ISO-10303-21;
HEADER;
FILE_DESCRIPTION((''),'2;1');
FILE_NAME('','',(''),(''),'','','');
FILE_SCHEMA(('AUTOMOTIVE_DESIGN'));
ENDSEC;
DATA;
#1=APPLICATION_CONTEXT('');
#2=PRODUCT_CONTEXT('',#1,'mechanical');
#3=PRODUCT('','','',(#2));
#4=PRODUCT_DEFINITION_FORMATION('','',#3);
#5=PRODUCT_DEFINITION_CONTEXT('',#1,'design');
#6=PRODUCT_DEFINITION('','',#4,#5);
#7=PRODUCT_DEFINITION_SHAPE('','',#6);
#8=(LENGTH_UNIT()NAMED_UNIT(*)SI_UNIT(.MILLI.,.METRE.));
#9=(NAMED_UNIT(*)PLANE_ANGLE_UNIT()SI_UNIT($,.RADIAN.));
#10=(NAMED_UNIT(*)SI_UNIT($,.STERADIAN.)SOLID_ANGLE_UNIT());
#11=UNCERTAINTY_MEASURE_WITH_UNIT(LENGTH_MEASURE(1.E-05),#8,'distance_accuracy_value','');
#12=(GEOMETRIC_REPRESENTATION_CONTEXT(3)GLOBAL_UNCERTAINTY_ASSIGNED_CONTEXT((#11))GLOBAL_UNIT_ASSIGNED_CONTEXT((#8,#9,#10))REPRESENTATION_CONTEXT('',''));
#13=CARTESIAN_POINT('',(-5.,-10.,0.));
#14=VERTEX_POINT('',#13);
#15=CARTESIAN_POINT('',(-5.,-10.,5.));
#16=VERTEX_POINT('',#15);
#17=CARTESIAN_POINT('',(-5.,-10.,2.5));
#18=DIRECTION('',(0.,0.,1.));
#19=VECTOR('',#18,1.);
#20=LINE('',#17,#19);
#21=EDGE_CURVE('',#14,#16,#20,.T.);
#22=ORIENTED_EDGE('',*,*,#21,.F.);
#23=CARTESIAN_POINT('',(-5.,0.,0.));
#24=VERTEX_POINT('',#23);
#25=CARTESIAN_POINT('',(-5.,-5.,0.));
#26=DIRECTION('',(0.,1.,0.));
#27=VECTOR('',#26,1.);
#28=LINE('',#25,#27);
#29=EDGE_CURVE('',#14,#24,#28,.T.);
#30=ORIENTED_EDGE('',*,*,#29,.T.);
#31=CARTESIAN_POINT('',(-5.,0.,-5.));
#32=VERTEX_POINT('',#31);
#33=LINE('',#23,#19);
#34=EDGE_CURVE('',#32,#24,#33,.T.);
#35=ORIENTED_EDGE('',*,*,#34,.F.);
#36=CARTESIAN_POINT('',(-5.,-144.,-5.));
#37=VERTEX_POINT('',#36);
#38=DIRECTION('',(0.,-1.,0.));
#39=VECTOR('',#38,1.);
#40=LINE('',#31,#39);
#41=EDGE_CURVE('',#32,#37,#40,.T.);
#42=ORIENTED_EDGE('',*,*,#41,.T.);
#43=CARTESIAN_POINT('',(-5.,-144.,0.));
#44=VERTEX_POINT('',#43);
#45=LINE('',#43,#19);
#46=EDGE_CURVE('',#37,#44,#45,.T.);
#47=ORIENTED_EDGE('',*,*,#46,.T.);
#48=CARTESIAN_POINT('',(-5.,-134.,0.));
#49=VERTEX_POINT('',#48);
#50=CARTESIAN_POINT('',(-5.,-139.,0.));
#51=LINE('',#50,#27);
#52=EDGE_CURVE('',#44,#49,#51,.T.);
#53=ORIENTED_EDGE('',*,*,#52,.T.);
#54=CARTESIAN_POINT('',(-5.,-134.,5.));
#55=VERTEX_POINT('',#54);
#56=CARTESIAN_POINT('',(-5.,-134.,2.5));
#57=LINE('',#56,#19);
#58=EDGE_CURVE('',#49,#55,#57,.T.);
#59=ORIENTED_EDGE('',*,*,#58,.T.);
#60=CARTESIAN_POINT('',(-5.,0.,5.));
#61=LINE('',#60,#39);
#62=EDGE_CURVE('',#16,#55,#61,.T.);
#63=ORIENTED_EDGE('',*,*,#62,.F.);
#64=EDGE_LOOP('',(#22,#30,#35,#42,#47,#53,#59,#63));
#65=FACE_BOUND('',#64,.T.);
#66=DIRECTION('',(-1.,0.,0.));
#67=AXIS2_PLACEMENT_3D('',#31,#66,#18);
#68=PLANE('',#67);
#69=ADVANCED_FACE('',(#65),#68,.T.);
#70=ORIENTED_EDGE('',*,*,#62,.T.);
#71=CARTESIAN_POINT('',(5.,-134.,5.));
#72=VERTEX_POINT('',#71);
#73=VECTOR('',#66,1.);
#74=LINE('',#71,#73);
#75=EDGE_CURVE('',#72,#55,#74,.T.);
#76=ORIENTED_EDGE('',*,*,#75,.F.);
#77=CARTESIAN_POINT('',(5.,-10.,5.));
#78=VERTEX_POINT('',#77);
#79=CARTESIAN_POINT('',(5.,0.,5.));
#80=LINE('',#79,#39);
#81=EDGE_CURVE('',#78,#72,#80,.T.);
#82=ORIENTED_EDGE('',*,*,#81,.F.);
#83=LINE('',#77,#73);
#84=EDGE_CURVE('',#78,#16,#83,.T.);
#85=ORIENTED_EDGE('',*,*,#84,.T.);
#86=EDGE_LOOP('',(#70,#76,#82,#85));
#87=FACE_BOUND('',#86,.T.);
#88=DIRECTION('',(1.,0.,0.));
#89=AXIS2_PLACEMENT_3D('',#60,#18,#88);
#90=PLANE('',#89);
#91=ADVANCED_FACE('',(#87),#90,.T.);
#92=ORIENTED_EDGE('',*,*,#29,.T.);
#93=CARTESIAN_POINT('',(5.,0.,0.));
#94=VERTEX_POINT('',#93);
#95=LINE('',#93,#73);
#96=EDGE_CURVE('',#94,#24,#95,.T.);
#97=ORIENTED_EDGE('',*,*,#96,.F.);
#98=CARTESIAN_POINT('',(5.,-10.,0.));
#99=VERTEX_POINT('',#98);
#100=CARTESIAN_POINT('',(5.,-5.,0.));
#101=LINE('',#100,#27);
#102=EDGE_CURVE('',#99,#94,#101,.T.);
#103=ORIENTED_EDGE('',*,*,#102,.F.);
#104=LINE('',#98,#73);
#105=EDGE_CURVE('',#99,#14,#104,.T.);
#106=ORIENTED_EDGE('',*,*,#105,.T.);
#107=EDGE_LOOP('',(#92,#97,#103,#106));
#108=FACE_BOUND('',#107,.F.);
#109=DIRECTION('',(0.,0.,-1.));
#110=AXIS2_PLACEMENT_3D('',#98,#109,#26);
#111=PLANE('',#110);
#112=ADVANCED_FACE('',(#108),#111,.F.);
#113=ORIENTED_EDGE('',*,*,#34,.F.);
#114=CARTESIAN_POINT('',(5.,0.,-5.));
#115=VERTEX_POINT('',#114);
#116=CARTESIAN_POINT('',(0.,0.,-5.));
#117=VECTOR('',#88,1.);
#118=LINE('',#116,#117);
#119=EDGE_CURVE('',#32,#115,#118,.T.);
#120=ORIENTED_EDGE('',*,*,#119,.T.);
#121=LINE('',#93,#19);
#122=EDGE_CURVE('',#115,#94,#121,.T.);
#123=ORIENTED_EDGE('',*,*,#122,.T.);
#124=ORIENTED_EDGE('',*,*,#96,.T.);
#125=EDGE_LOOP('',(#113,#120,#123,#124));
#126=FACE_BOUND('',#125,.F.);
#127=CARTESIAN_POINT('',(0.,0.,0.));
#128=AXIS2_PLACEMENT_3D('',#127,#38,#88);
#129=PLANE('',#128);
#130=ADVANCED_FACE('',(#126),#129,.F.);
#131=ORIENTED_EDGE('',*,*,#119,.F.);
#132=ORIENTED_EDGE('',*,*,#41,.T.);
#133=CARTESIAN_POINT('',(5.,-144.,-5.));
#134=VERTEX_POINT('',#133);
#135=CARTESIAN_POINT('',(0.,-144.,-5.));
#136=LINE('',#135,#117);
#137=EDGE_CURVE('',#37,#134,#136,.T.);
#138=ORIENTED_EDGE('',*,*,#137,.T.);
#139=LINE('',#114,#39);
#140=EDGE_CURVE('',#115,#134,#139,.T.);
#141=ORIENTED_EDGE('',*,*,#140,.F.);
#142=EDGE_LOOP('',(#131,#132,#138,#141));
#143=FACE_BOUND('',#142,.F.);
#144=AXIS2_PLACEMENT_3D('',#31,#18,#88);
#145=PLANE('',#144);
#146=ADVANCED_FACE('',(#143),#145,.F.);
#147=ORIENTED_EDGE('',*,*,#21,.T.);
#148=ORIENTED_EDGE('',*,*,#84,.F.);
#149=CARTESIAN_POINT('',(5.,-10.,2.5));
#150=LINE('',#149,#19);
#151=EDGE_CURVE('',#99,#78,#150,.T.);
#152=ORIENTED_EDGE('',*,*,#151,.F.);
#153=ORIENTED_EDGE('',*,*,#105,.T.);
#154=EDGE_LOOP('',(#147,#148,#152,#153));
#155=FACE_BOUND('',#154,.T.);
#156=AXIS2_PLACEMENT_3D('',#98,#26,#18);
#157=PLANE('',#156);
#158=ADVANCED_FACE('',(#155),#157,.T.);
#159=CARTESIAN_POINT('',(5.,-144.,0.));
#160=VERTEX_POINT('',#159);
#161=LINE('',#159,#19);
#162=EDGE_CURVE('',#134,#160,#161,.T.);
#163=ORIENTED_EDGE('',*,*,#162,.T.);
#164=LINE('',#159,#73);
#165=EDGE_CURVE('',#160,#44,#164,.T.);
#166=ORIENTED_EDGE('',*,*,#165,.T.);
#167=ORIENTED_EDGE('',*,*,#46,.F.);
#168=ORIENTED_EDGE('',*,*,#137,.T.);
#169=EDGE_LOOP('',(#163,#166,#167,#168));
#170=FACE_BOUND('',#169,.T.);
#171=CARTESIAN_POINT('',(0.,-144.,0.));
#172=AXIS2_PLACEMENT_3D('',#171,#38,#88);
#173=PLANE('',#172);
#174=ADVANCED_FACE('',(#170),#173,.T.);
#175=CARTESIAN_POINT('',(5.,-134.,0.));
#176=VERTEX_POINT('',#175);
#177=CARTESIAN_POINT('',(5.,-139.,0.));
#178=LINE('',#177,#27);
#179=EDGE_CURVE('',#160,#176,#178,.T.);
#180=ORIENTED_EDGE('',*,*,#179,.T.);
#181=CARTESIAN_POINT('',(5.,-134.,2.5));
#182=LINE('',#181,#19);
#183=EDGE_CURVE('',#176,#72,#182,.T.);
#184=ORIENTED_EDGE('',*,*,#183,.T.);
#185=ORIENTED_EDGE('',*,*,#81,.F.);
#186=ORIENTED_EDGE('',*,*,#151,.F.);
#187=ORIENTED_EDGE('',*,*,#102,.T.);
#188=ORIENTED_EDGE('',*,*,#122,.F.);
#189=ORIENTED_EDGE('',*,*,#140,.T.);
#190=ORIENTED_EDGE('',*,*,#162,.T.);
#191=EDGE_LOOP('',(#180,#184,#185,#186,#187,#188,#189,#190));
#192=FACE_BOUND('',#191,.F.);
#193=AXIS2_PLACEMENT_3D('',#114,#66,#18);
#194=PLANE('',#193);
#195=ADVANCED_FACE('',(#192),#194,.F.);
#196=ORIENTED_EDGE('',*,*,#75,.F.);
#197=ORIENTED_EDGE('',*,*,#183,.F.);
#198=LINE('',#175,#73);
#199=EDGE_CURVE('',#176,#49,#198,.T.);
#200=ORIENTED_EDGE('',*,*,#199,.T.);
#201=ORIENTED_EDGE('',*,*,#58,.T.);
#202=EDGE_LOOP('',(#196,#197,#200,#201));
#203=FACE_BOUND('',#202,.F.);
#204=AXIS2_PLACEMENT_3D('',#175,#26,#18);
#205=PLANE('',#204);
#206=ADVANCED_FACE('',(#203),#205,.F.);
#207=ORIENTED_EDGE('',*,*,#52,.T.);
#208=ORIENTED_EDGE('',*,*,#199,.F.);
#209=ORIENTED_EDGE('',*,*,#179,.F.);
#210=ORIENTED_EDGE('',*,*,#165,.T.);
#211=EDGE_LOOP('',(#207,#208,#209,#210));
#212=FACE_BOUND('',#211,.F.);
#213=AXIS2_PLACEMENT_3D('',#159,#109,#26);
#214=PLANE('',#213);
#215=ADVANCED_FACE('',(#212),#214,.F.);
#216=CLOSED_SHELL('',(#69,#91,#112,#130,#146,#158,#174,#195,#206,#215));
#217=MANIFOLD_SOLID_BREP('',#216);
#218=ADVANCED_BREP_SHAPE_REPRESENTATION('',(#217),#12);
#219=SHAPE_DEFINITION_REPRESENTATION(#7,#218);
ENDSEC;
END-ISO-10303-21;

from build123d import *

# Parameters (mm, degrees)
F0_W     = 10
F0_H     = 10
F1_DEPTH = 144
F2_W     = 10
F2_H     = 5
F3_DEPTH = 10


with BuildPart() as f1:
    # F0 (on Front) → F1 (new body)
    with BuildSketch(Plane.XZ):
        Rectangle(F0_W, F0_H)
    extrude(amount=F1_DEPTH)

    # F2 (on face) → F3 (cut)
    with BuildSketch(Plane.YZ.offset(5)):
        with Locations((-139, 2.5)):
            Rectangle(F2_W, F2_H)
        with Locations((-5, 2.5)):
            Rectangle(F2_W, F2_H)
    extrude(amount=-F3_DEPTH, mode=Mode.SUBTRACT)


solid = f1.part
